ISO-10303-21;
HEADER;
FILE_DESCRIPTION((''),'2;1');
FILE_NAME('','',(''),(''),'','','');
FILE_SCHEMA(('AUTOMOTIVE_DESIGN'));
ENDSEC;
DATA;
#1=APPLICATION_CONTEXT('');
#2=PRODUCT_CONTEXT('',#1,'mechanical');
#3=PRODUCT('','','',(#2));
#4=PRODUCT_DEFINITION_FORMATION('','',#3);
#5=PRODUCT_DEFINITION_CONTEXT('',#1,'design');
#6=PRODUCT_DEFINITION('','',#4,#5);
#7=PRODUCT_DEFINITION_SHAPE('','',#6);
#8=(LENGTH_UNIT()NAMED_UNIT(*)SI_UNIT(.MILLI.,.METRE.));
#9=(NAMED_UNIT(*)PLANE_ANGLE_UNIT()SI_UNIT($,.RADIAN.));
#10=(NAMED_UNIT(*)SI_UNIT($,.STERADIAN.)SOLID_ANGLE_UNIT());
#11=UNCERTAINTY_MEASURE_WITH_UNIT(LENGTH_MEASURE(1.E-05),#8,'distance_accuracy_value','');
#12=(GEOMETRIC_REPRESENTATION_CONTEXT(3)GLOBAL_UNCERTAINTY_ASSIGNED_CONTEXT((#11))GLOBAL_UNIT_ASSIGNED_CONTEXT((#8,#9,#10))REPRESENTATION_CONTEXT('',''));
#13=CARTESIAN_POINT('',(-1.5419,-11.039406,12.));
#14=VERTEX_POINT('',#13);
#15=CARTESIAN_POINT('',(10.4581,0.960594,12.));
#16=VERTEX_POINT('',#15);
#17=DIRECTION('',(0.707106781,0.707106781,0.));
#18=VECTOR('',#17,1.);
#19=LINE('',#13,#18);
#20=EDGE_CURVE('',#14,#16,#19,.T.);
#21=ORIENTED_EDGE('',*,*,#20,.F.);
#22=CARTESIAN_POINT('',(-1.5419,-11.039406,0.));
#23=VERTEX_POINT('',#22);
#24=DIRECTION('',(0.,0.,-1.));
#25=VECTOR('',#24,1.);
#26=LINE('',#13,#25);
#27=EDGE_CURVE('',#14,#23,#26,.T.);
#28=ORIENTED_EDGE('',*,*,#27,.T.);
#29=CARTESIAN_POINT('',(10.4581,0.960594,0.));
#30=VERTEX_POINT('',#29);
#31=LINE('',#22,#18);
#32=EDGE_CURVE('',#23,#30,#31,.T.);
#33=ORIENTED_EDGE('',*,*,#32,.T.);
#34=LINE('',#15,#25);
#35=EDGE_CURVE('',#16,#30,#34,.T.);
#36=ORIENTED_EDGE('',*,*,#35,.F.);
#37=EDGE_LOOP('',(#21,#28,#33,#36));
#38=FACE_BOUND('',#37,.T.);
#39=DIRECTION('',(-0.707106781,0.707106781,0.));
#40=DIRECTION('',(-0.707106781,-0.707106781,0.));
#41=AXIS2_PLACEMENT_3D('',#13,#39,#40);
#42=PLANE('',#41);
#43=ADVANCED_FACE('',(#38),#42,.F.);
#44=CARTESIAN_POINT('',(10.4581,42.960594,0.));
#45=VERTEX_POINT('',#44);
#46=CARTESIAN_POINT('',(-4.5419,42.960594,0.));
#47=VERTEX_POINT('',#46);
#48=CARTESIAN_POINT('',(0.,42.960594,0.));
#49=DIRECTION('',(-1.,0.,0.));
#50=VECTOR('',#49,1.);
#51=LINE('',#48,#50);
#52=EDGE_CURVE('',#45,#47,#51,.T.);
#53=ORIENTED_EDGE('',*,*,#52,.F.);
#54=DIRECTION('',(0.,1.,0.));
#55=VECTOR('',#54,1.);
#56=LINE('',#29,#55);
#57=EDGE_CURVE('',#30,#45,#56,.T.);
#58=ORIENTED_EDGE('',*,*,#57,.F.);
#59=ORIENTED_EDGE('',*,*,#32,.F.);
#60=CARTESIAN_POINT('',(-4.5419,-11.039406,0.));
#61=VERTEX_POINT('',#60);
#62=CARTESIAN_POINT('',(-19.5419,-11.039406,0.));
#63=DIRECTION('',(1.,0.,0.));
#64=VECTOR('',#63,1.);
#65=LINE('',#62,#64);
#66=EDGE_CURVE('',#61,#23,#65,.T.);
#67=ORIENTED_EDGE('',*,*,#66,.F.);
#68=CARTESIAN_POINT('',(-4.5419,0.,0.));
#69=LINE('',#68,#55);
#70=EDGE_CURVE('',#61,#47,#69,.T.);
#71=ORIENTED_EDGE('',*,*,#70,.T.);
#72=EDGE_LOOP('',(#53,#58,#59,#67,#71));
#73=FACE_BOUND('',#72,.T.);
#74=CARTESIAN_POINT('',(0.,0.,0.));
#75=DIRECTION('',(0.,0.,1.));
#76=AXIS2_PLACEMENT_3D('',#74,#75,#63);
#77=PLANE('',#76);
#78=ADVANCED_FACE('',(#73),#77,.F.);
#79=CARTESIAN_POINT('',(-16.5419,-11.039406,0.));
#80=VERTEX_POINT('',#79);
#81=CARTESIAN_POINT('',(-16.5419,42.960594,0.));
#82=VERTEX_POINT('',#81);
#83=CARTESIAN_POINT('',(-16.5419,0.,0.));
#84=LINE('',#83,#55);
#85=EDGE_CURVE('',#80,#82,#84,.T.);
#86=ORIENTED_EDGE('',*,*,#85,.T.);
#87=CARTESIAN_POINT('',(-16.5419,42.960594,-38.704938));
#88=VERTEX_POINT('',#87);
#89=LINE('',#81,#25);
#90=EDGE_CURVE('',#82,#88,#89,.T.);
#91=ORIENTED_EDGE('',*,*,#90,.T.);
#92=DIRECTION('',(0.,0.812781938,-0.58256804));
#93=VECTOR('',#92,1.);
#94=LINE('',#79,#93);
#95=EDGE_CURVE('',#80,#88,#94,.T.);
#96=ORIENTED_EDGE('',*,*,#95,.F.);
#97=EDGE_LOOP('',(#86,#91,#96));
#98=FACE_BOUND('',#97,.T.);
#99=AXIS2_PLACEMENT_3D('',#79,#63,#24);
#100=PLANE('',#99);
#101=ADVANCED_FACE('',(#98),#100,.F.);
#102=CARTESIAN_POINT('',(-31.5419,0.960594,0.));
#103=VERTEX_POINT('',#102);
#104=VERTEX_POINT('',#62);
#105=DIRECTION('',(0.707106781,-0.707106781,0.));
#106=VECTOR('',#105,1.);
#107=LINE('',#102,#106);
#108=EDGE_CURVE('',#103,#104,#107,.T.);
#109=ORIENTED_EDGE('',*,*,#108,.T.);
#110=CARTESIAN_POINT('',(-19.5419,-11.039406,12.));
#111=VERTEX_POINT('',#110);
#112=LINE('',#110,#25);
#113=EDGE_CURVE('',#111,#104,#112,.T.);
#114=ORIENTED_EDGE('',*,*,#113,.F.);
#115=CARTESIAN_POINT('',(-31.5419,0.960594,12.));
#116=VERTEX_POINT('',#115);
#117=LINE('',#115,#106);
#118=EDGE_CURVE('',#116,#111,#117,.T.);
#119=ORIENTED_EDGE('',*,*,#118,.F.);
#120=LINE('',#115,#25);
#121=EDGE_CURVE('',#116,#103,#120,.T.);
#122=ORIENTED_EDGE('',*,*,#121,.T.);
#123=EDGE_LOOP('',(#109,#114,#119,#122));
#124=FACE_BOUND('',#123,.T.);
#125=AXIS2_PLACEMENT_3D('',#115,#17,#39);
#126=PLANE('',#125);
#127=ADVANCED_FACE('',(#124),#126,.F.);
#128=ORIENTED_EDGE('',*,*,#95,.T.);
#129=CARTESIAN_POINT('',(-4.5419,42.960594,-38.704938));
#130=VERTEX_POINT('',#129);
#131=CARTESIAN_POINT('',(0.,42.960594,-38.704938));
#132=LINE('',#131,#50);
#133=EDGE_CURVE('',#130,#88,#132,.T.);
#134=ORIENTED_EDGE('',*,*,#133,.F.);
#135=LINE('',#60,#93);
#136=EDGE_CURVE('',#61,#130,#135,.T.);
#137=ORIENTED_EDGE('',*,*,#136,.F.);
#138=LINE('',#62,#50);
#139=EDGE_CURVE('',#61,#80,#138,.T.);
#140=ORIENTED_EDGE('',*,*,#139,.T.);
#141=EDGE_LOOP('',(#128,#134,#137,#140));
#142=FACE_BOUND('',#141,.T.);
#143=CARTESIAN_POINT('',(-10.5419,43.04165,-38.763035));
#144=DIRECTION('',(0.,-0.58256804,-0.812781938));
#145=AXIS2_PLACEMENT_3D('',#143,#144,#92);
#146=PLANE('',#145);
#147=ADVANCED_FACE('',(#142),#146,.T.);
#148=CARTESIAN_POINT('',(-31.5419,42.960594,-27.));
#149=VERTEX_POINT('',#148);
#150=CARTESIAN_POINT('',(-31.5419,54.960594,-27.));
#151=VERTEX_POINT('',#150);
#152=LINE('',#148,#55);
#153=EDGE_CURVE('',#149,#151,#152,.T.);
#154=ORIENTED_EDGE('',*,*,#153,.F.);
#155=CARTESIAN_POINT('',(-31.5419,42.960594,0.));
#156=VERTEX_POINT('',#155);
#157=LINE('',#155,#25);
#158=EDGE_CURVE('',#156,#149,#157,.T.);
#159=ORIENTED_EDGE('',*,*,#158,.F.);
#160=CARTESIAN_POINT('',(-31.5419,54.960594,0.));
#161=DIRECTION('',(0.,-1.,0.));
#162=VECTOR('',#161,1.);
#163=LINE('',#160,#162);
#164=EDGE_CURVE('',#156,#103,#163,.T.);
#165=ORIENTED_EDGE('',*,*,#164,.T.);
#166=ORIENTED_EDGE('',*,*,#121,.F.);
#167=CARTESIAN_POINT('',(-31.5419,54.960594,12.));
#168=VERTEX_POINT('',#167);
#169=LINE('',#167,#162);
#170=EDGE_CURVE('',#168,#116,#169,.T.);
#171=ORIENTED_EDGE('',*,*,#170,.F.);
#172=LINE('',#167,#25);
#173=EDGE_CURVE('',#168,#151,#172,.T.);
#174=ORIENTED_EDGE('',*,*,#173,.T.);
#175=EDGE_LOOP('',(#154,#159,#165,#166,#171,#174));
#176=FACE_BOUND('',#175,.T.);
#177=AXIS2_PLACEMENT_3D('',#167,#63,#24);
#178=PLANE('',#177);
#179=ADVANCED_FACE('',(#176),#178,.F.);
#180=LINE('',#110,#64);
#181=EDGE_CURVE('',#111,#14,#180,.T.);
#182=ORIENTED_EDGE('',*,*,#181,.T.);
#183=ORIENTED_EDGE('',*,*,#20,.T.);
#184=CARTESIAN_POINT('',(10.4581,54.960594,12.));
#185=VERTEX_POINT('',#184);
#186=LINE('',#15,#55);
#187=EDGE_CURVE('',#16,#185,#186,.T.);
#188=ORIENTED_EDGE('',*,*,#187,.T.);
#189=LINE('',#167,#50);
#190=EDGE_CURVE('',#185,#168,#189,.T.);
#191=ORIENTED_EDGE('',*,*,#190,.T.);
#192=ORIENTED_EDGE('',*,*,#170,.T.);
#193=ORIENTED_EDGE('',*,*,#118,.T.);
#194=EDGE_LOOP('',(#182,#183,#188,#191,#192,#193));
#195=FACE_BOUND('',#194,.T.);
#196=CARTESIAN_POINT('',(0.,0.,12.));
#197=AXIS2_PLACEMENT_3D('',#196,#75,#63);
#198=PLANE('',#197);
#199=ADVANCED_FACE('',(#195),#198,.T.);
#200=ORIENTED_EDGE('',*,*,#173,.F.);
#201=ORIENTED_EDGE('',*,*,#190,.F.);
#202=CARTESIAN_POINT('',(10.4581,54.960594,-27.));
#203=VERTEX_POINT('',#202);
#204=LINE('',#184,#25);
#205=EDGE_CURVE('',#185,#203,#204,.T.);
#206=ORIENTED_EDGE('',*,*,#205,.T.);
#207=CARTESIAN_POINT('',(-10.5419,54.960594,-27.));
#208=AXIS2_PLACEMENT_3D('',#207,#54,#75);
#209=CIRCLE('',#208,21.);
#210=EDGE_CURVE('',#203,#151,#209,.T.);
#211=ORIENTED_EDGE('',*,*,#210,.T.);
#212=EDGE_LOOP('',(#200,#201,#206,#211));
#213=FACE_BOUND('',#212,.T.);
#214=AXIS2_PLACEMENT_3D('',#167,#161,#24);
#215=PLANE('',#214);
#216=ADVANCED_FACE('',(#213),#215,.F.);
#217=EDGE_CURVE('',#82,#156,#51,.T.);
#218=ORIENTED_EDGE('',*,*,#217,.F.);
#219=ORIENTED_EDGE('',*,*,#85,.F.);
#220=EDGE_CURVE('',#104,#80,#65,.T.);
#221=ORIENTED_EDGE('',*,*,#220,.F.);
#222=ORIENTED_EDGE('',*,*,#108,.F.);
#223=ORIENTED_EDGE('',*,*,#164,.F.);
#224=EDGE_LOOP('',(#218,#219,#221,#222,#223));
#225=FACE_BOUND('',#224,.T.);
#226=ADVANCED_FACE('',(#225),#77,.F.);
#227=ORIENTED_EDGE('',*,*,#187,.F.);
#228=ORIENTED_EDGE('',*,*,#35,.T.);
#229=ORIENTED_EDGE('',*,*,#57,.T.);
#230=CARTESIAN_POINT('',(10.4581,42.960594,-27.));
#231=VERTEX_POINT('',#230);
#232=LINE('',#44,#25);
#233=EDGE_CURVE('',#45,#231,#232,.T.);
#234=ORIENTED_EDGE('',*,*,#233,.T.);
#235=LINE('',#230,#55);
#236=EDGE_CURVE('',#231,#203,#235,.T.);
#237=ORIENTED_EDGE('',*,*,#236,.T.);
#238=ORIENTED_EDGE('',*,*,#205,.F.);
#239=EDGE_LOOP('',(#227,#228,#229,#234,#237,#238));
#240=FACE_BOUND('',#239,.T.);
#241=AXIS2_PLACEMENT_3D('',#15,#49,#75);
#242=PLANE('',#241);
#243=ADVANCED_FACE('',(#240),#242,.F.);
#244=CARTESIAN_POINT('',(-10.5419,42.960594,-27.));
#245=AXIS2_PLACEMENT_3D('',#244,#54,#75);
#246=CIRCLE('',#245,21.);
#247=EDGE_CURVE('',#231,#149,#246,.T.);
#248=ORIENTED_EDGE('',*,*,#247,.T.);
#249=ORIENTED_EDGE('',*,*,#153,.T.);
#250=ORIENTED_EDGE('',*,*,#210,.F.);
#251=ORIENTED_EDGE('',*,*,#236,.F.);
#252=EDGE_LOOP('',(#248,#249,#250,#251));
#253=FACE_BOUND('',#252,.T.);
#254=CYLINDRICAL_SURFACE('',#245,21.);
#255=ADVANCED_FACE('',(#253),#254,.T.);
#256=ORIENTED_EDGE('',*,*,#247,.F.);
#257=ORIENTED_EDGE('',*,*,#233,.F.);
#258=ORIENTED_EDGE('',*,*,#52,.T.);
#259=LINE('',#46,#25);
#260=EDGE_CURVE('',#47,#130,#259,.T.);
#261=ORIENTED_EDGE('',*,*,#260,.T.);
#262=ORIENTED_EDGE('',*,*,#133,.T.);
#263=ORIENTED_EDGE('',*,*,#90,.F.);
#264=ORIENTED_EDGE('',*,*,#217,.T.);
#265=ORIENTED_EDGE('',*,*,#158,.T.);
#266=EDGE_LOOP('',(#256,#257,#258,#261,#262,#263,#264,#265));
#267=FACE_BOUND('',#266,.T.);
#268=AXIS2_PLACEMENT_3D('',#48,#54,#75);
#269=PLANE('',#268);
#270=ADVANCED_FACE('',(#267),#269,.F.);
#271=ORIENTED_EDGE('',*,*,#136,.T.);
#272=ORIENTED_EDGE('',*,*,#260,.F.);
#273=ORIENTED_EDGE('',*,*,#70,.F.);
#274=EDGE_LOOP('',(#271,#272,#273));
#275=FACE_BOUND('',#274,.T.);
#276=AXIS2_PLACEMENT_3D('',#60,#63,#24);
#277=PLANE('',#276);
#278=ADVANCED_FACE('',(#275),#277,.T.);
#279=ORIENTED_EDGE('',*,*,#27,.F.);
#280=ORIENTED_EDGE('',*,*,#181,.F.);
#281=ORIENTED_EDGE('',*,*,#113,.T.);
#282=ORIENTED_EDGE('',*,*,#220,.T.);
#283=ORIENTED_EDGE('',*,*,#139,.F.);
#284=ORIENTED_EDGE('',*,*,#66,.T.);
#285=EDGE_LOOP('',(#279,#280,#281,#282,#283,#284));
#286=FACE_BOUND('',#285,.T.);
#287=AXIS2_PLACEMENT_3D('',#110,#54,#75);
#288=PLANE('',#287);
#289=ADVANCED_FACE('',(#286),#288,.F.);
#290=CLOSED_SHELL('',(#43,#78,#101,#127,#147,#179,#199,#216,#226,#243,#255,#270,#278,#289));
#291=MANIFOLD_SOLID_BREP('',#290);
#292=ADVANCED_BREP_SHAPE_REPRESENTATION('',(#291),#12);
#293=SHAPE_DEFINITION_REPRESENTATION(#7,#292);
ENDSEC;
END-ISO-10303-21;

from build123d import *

# Parameters (mm, degrees)
BOSS_EXTRUDE2_DEPTH = 12
BOSS_EXTRUDE4_DEPTH = 12
RIB1_REACH          = 81.189
SKETCH7_WALLS_W     = 12
SKETCH7_WALLS_H     = 226.916782225


with BuildPart() as part:
    # Sketch1 → Boss-Extrude2 (new body)
    with BuildSketch(Plane.XY):
        Polygon((-31.541899517, 54.96059397), (-31.541899517, 0.96059397), (-19.541899517, -11.03940603), (-1.541899517, -11.03940603), (10.458100483, 0.96059397), (10.458100483, 54.96059397), align=None)
    extrude(amount=BOSS_EXTRUDE2_DEPTH)

    # Sketch2 → Boss-Extrude4 (add)
    with BuildSketch(Plane(origin=(0, 54.96059397, 0), x_dir=(1, 0, 0), z_dir=(0, 1, 0))):
        with BuildLine():
            Line((10.458100483, 0), (10.458100483, 27))
            ThreePointArc((10.458100483, 27), (-10.541899517, 48), (-31.541899517, 27))
            Line((-31.541899517, 27), (-31.541899517, 0))
            Line((-31.541899517, 0), (10.458100483, 0))
        make_face()
    extrude(amount=-BOSS_EXTRUDE4_DEPTH)

    # Sketch7 walls → Rib1 (add, up to next)
    with BuildSketch(Plane(origin=(0, -3.746614572, -5.227167373), x_dir=(1, 0, 0), z_dir=(0, 0.5825680402279159, 0.8127819378560314)), mode=Mode.PRIVATE) as rib1_sk1:
        with Locations((-10.541899517, 24.296475579)):
            Rectangle(SKETCH7_WALLS_W, SKETCH7_WALLS_H)
    rib1_tool1 = extrude(rib1_sk1.sketch, amount=RIB1_REACH, mode=Mode.PRIVATE) - part.part
    add(rib1_tool1.solids().sort_by_distance((-10.541899517, 16.001121931, -19.381517535))[0])


solid = part.part
